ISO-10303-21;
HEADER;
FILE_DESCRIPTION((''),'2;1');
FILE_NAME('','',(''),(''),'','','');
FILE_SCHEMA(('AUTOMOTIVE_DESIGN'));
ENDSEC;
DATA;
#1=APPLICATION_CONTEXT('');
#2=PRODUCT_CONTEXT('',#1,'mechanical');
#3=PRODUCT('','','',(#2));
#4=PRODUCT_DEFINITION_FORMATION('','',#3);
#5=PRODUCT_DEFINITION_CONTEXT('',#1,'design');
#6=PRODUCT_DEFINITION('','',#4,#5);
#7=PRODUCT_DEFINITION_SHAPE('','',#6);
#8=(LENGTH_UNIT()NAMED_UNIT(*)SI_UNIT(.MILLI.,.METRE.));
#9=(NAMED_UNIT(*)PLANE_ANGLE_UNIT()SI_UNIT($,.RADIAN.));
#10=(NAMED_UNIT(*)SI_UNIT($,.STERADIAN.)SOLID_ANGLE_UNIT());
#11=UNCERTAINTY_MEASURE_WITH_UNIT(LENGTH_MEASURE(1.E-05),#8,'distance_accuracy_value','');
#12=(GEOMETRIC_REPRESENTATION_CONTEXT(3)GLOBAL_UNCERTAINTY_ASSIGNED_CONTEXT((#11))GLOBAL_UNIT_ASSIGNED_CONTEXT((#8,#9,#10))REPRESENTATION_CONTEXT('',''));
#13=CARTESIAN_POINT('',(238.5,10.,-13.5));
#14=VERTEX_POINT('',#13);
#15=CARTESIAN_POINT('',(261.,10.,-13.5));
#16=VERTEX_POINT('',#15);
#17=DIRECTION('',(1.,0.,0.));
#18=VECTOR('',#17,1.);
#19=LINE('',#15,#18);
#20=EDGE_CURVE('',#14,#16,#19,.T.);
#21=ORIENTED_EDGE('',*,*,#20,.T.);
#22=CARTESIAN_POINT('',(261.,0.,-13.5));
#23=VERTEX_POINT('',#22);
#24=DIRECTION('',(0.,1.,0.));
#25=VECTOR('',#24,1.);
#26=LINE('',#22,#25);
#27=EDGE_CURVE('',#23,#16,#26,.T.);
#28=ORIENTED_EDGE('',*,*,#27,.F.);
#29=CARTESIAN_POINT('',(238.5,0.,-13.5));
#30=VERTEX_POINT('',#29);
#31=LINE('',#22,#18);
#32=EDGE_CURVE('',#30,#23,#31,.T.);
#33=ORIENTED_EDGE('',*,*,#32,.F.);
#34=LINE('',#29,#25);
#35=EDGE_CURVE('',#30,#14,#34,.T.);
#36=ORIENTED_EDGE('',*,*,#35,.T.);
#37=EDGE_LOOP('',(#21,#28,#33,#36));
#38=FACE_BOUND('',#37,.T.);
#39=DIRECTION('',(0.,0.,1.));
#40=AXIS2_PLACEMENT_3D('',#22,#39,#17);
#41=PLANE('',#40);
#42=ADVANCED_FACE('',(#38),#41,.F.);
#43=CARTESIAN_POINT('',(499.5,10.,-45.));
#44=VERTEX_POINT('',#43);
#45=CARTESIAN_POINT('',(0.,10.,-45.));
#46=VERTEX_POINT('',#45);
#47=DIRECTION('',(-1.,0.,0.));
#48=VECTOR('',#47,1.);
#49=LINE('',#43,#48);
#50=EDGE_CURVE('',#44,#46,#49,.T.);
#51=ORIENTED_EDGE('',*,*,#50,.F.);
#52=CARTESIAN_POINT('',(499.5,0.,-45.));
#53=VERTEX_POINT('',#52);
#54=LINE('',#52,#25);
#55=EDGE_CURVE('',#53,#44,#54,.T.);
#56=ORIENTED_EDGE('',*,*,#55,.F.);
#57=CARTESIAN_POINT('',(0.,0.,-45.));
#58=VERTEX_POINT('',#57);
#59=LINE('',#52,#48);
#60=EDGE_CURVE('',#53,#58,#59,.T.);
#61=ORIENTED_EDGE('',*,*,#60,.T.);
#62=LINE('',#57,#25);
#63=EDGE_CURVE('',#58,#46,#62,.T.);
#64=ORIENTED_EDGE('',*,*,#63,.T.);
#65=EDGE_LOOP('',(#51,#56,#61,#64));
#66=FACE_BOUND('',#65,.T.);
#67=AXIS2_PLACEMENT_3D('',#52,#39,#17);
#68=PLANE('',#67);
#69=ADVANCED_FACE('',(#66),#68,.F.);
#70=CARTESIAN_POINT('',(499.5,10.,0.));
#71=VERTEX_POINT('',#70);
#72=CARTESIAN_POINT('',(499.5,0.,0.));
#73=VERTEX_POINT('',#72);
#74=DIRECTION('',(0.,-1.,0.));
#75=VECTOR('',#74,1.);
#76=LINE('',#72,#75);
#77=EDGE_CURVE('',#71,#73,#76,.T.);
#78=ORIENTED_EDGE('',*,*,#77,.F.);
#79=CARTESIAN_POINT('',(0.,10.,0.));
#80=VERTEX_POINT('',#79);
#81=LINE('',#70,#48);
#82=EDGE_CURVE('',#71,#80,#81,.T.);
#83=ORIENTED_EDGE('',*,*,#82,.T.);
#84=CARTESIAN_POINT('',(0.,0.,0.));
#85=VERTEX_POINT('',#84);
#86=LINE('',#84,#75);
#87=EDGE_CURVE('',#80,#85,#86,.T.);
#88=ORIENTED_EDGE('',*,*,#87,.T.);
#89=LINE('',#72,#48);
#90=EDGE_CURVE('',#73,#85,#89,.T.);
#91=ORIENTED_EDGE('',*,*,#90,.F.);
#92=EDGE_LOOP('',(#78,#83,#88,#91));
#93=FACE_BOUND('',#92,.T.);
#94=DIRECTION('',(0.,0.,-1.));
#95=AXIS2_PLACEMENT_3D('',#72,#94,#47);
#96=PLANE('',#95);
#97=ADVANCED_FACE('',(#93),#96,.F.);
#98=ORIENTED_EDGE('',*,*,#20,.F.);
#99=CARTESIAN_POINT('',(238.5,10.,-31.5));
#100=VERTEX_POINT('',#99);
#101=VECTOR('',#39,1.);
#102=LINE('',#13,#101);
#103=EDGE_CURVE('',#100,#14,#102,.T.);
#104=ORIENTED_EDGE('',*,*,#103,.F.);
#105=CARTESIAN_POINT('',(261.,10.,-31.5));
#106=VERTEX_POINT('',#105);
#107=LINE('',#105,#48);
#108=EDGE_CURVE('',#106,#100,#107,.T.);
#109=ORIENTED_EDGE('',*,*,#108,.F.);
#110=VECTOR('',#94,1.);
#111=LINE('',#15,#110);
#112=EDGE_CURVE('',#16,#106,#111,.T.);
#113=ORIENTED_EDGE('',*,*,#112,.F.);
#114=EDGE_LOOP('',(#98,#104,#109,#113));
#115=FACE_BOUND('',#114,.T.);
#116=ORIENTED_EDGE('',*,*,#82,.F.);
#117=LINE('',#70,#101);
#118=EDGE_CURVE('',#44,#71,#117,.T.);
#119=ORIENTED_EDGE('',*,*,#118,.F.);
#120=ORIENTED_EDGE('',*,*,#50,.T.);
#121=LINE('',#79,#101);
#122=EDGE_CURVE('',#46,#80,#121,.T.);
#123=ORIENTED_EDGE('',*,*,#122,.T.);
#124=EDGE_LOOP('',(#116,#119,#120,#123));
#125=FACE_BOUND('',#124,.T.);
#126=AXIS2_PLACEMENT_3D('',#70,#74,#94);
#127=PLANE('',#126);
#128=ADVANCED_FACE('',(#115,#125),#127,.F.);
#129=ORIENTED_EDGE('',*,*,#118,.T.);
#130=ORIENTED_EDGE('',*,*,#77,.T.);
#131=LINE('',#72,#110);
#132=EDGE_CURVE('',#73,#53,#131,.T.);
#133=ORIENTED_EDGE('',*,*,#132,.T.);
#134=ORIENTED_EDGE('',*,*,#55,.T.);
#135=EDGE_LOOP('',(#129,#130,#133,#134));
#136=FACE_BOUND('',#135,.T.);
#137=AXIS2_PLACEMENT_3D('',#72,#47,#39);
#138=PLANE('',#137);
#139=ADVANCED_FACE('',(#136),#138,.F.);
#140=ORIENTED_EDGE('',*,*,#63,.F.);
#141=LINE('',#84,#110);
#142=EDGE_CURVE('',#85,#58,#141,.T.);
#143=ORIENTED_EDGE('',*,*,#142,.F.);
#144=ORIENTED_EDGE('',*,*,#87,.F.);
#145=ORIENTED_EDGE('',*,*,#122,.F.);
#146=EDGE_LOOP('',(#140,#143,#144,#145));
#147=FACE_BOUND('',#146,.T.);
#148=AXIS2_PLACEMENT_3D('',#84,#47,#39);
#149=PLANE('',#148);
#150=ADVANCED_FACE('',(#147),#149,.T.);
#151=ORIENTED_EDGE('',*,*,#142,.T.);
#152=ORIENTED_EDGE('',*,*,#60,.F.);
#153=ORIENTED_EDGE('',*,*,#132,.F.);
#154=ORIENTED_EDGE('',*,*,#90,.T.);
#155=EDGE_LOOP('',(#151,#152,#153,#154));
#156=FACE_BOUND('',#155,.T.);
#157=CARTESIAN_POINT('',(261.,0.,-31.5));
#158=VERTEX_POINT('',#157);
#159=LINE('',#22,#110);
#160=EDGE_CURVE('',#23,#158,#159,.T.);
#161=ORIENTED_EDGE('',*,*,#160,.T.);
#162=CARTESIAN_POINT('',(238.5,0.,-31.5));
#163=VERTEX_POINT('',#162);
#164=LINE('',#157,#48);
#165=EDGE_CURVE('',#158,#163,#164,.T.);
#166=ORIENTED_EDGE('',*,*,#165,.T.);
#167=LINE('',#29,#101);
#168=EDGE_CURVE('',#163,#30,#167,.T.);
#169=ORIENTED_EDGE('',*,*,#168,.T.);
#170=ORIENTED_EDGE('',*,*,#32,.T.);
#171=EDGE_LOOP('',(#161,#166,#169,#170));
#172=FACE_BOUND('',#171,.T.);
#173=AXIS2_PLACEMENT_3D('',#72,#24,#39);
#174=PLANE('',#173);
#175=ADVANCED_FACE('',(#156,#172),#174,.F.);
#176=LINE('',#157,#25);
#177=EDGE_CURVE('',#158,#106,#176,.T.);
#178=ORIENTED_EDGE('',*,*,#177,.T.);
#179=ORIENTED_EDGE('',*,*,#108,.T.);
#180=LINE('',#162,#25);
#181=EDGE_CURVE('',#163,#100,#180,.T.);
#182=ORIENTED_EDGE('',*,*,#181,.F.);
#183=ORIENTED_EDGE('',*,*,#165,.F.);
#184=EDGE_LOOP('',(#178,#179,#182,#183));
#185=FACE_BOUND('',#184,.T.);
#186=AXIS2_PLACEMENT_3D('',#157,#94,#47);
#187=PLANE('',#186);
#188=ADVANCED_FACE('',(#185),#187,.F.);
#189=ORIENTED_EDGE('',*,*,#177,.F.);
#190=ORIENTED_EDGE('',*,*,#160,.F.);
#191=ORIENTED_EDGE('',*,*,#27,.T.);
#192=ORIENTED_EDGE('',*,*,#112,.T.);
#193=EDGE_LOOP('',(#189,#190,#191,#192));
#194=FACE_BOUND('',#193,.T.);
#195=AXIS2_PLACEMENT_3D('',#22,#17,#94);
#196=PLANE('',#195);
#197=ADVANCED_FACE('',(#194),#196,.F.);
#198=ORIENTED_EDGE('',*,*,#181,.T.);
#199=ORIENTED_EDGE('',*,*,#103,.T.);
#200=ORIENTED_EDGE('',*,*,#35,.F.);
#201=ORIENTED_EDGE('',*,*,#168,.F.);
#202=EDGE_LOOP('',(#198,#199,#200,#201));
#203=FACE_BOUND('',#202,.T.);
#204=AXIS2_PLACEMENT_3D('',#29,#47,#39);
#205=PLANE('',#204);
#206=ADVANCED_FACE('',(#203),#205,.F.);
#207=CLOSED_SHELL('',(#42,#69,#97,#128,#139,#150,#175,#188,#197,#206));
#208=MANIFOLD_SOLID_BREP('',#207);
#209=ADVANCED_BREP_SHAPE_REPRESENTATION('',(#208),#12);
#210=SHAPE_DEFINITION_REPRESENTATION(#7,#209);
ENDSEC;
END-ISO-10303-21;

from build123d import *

# Parameters (mm, degrees)
SKETCH1_W           = 45
SKETCH1_H           = 10
BOSS_EXTRUDE1_DEPTH = 499.5
SKETCH2_W           = 22.5
SKETCH2_H           = 18
CUT_EXTRUDE1_DEPTH  = 502.622617114


with BuildPart() as part:
    # Sketch1 → Boss-Extrude1 (new body)
    with BuildSketch(Plane(origin=(0, 0, 0), x_dir=(0, 0, -1), z_dir=(1, 0, 0))):
        with Locations((22.5, 5)):
            Rectangle(SKETCH1_W, SKETCH1_H)
    extrude(amount=BOSS_EXTRUDE1_DEPTH)

    # Sketch2 → Cut-Extrude1 (cut, through all)
    with BuildSketch(Plane(origin=(0, 10, 0), x_dir=(1, 0, 0), z_dir=(0, 1, 0))):
        with Locations((249.75, 22.5)):
            Rectangle(SKETCH2_W, SKETCH2_H)
    extrude(amount=-CUT_EXTRUDE1_DEPTH, mode=Mode.SUBTRACT)


solid = part.part
